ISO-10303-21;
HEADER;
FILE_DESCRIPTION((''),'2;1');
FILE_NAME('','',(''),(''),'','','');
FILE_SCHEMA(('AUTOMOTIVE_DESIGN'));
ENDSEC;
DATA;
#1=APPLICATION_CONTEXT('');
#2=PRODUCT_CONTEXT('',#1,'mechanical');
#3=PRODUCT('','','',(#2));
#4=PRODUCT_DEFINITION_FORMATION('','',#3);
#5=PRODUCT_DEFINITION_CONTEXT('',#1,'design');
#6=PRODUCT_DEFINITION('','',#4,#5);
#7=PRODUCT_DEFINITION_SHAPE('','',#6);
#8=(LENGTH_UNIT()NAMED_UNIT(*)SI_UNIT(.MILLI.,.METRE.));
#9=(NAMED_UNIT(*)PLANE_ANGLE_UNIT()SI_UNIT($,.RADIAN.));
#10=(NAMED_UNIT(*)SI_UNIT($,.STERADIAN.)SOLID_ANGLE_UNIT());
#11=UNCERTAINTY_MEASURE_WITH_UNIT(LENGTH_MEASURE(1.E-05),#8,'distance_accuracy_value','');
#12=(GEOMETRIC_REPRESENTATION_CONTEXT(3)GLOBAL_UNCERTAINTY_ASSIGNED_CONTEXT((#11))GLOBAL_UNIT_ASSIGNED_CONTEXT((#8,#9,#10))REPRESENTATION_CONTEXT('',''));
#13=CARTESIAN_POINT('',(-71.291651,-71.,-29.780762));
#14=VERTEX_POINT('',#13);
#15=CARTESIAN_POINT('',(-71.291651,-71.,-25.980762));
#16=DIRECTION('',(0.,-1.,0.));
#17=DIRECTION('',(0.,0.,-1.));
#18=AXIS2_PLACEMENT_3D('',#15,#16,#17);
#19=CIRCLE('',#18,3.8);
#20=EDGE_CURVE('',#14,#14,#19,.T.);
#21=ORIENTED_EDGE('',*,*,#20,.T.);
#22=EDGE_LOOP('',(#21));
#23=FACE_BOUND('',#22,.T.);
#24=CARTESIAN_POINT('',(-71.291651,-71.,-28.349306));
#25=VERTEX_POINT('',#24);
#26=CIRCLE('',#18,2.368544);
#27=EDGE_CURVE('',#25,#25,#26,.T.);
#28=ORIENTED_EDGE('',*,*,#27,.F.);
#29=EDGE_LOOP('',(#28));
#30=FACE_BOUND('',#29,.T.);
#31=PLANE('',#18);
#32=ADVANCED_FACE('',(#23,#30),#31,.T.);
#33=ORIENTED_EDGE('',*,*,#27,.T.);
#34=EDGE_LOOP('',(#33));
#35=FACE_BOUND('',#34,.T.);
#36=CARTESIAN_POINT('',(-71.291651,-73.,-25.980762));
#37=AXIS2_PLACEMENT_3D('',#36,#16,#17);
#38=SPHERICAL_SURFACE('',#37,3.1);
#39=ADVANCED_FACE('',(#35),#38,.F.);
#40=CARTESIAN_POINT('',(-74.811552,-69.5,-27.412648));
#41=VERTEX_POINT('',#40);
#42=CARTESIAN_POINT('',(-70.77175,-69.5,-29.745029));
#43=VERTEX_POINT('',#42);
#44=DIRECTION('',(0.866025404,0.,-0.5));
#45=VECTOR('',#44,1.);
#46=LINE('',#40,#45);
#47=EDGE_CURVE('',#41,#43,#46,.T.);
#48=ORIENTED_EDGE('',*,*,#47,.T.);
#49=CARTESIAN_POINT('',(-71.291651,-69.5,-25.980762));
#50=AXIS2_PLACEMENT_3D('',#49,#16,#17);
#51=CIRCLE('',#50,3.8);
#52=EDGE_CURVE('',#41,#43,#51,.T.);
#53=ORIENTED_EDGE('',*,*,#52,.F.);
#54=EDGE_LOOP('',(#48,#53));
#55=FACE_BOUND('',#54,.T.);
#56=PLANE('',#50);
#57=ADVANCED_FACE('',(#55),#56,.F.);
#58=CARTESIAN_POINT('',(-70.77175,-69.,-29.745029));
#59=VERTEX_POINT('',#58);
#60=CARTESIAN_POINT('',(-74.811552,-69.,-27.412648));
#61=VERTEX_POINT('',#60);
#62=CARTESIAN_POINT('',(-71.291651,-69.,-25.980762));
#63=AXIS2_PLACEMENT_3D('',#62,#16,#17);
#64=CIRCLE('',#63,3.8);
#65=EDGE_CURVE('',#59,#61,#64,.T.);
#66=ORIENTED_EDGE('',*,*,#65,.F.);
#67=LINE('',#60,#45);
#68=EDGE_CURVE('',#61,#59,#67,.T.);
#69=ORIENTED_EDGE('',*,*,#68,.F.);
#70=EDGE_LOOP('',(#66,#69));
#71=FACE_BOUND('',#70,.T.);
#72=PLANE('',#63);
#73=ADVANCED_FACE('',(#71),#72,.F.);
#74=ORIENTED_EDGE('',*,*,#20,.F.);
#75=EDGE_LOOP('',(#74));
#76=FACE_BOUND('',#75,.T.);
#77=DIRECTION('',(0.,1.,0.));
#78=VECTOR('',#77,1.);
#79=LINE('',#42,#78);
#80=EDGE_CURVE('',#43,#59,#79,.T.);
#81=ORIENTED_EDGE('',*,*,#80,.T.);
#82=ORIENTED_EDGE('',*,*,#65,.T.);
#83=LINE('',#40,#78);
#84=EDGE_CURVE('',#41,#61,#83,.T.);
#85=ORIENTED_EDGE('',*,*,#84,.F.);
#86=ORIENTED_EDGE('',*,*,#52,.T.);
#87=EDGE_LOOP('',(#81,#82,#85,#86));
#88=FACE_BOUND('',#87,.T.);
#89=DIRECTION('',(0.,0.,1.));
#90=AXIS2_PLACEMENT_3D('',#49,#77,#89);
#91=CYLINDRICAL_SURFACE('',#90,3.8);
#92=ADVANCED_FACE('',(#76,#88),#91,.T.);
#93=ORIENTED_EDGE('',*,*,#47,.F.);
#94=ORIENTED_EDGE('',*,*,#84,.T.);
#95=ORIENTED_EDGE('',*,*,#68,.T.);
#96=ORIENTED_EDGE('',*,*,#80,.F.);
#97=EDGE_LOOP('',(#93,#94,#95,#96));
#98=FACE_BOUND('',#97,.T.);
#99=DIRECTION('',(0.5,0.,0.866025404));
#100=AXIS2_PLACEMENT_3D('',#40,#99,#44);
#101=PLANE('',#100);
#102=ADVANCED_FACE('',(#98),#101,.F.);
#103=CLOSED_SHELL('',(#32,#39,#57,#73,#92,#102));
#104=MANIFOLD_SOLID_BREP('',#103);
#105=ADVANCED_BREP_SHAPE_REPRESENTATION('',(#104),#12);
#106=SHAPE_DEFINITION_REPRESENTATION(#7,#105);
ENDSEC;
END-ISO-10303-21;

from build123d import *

# Parameters (mm, degrees)
KEYED_BACK_DEPTH   = 0.5
CUP_BLANK_SKETCH_R = 3.8
CUP_BLANK_DEPTH    = 1.5


with BuildPart() as part:
    # Keyed Back Sketch → Keyed Back (new body)
    with BuildSketch(Plane(origin=(0, -69, 0), x_dir=(-1, 0, 0), z_dir=(0, -1, 0))):
        with BuildLine():
            Line((74.811552234, 27.412647946), (70.771750258, 29.745028704))
            ThreePointArc((70.771750258, 29.745028704), (69.391651246, 22.689865579), (74.811552234, 27.412647946))
        make_face()
    extrude(amount=KEYED_BACK_DEPTH)

    # Cup Blank Sketch → Cup Blank (add)
    with BuildSketch(Plane(origin=(0, -69.5, 0), x_dir=(-1, 0, 0), z_dir=(0, -1, 0))):
        with Locations(Location((71.291651246, 25.980762114, 0), (0, 0, 22.136353638))):
            Circle(CUP_BLANK_SKETCH_R)
    extrude(amount=CUP_BLANK_DEPTH)

    # Spherical Bearing Seat profile → Spherical Bearing Seat (revolve, cut)
    with BuildSketch(Plane(origin=(0, -73, 0), x_dir=(-1, 0, 0), z_dir=(0, -1, 0))):
        with BuildLine():
            Line((71.291651246, 22.880762114), (71.291651246, 29.080762114))
            ThreePointArc((71.291651246, 29.080762114), (68.191651246, 25.980762114), (71.291651246, 22.880762114))
        make_face()
    revolve(axis=Axis((-71.291651246, -73, -35.980762114), (0, 0, 1)), mode=Mode.SUBTRACT)


solid = part.part
